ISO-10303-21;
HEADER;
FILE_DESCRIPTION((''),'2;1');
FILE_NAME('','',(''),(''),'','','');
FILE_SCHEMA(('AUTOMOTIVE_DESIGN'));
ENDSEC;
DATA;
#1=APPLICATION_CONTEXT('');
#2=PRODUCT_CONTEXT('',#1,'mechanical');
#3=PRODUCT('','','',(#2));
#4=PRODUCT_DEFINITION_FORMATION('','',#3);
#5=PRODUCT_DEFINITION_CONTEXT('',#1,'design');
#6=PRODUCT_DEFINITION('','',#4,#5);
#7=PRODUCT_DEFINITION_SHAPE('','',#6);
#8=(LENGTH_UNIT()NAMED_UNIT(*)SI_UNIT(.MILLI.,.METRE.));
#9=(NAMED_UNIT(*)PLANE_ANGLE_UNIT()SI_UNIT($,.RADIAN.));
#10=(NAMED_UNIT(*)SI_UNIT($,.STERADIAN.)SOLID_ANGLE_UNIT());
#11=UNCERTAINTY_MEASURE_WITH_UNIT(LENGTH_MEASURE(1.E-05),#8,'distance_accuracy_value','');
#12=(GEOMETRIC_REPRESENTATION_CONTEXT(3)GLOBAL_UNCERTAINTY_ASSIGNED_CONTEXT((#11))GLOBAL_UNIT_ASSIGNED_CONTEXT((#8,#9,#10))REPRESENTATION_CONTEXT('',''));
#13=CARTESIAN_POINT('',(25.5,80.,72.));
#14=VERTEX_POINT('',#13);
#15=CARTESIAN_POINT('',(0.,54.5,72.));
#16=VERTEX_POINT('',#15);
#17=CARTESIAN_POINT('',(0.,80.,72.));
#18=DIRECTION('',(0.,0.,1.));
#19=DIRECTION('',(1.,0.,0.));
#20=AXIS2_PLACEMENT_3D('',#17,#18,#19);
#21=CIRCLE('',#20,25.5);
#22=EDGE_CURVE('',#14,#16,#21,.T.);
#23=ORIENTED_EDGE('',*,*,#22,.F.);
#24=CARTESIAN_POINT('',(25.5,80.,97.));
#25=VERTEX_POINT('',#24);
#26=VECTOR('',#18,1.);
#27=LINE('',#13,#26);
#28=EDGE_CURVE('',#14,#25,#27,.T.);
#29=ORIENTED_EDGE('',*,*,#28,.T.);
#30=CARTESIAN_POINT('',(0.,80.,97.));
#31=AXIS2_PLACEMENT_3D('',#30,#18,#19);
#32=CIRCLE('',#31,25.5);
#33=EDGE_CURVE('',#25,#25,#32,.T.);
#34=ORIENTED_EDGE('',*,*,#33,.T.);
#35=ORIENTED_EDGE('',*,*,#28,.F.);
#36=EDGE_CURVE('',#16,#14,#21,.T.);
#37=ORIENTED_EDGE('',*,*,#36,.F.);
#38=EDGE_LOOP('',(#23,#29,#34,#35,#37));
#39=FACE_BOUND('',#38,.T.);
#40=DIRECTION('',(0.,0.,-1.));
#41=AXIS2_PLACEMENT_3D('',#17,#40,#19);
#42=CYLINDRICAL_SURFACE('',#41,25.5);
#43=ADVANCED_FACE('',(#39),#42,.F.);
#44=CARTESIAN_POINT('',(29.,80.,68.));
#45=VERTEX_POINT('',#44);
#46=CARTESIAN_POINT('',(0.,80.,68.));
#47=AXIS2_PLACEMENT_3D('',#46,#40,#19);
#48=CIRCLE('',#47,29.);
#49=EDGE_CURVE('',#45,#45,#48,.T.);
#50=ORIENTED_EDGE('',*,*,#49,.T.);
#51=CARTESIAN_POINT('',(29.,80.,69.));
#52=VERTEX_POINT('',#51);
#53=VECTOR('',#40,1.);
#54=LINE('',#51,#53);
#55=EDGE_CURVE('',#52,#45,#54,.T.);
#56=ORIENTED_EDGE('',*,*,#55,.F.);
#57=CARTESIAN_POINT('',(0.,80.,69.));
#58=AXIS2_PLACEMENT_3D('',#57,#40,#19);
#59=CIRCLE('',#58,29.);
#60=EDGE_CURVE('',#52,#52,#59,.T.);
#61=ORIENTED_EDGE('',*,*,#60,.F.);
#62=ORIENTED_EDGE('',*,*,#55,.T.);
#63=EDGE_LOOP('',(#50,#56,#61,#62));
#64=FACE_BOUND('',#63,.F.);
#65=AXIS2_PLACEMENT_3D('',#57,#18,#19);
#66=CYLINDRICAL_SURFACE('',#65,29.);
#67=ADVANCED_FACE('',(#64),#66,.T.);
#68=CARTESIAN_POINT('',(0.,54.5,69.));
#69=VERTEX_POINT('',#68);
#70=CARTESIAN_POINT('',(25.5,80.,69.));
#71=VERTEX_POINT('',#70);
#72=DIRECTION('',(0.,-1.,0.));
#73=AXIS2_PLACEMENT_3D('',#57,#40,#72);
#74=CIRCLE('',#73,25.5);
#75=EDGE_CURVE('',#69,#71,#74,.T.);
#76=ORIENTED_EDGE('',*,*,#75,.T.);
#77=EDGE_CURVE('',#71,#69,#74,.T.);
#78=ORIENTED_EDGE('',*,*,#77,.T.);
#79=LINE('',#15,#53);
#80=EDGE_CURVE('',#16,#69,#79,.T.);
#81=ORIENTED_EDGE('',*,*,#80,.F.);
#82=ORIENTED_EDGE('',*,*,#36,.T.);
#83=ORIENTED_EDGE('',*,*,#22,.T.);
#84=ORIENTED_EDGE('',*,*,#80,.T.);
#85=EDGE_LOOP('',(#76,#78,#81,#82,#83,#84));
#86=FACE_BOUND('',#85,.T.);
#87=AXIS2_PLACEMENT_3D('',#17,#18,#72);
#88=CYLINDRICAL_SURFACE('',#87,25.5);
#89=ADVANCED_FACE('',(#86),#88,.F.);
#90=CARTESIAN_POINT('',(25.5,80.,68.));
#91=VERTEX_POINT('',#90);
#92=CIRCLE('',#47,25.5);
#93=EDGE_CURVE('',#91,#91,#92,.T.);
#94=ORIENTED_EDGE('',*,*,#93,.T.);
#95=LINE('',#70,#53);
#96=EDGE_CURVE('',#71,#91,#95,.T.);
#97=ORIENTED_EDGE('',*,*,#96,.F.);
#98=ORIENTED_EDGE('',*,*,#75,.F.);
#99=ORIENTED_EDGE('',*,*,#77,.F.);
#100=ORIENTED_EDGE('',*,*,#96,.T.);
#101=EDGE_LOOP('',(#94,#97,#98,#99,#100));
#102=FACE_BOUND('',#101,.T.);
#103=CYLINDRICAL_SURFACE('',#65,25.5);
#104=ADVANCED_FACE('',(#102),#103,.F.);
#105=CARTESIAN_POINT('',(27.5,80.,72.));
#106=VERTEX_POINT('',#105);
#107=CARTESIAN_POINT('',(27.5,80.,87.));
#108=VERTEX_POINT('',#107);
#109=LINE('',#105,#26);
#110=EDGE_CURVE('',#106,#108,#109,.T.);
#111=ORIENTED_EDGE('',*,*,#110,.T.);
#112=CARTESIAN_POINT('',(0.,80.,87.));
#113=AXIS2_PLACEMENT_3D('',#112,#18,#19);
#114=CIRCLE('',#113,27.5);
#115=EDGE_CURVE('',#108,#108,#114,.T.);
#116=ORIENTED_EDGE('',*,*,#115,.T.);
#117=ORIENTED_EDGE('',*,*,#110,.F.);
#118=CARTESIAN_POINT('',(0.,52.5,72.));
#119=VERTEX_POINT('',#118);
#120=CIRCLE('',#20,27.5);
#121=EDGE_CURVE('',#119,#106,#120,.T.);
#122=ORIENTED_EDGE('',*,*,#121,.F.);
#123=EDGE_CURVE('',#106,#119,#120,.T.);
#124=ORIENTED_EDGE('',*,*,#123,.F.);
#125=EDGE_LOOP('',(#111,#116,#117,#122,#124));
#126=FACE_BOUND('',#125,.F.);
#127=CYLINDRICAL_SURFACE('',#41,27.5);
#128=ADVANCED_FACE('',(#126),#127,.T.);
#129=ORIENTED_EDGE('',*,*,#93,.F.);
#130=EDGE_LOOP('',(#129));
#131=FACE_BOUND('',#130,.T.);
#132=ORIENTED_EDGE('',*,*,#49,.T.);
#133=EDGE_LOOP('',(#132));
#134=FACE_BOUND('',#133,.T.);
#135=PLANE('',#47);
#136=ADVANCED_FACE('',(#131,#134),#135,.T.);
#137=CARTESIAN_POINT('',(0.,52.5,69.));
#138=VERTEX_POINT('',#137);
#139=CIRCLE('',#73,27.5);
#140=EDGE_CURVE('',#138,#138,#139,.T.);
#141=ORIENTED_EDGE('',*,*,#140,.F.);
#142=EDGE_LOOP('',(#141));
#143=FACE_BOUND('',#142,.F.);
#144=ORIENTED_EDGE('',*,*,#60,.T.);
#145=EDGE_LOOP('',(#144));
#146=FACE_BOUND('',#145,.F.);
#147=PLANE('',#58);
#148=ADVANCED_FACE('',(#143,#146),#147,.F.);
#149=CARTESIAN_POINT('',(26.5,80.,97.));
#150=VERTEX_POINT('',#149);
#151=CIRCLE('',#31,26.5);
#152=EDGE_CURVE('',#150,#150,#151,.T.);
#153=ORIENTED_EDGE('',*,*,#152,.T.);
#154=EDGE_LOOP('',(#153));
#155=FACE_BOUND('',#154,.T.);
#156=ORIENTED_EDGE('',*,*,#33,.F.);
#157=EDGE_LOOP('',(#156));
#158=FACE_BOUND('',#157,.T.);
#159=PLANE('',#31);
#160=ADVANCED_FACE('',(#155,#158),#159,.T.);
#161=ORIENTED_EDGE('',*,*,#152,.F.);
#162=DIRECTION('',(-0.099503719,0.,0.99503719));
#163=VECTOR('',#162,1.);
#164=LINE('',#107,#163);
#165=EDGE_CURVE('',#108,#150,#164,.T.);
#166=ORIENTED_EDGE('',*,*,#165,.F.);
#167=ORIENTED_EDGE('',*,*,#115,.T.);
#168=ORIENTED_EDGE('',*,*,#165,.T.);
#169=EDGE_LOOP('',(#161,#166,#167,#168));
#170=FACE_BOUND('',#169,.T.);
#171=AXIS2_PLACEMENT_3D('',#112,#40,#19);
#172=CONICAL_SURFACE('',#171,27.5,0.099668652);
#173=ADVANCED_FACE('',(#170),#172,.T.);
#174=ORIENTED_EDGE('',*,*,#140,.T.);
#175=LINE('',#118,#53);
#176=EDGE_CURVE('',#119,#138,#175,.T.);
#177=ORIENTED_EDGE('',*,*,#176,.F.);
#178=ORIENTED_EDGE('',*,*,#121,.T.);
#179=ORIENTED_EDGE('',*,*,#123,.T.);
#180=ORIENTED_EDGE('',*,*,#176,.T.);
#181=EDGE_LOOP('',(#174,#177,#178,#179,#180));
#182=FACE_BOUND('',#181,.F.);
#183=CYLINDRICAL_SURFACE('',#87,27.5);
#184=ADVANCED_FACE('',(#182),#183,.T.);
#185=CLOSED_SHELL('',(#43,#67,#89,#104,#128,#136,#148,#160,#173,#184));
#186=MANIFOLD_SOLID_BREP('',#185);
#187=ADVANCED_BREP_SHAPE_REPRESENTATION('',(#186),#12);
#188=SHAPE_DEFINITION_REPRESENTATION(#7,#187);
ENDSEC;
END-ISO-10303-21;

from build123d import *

# Parameters (mm, degrees)
SKETCH011_R          = 27.5
SKETCH011_R_2        = 25.5
PAD001_DEPTH         = 25
CHAMFER002_SIZE2     = 1
CHAMFER002_SIZE      = 10
CHAMFER002_FACE3_R   = 27.5
CHAMFER002_FACE3_R_2 = 25.5
PAD002_DEPTH         = 3
SKETCH012_R          = 29
SKETCH012_R_2        = 25.5
PAD003_DEPTH         = 1


with BuildPart() as part:
    # Sketch011 (on Face1 of CopyChamfer001) → Pad001 (new body)
    with BuildSketch(Plane.XY.offset(72)):
        with Locations((0, 80)):
            Circle(SKETCH011_R)
        with Locations((0, 80)):
            Circle(SKETCH011_R_2, mode=Mode.SUBTRACT)
    extrude(amount=PAD001_DEPTH)

    # Chamfer002
    chamfer002_edges = [part.edges().sort_by_distance(p)[0] for p in [
        (-27.5, 80, 97),
    ]]
    chamfer002_side = part.faces().sort_by_distance((-27.5, 80, 84.5))[0]
    chamfer(chamfer002_edges, length=CHAMFER002_SIZE, length2=CHAMFER002_SIZE2, reference=chamfer002_side)

    # Chamfer002 Face3 → Pad002 (add)
    with BuildSketch(Plane(origin=(0, 80, 72), x_dir=(0, -1, 0), z_dir=(0, 0, -1))):
        Circle(CHAMFER002_FACE3_R)
        Circle(CHAMFER002_FACE3_R_2, mode=Mode.SUBTRACT)
    extrude(amount=PAD002_DEPTH)

    # Sketch012 (on Face5 of Pad002) → Pad003 (join)
    with BuildSketch(Plane(origin=(0, 0, 69), x_dir=(1, 0, 0), z_dir=(0, 0, -1))):
        with Locations((0, -80)):
            Circle(SKETCH012_R)
        with Locations((0, -80)):
            Circle(SKETCH012_R_2, mode=Mode.SUBTRACT)
    extrude(amount=PAD003_DEPTH)


solid = part.part
